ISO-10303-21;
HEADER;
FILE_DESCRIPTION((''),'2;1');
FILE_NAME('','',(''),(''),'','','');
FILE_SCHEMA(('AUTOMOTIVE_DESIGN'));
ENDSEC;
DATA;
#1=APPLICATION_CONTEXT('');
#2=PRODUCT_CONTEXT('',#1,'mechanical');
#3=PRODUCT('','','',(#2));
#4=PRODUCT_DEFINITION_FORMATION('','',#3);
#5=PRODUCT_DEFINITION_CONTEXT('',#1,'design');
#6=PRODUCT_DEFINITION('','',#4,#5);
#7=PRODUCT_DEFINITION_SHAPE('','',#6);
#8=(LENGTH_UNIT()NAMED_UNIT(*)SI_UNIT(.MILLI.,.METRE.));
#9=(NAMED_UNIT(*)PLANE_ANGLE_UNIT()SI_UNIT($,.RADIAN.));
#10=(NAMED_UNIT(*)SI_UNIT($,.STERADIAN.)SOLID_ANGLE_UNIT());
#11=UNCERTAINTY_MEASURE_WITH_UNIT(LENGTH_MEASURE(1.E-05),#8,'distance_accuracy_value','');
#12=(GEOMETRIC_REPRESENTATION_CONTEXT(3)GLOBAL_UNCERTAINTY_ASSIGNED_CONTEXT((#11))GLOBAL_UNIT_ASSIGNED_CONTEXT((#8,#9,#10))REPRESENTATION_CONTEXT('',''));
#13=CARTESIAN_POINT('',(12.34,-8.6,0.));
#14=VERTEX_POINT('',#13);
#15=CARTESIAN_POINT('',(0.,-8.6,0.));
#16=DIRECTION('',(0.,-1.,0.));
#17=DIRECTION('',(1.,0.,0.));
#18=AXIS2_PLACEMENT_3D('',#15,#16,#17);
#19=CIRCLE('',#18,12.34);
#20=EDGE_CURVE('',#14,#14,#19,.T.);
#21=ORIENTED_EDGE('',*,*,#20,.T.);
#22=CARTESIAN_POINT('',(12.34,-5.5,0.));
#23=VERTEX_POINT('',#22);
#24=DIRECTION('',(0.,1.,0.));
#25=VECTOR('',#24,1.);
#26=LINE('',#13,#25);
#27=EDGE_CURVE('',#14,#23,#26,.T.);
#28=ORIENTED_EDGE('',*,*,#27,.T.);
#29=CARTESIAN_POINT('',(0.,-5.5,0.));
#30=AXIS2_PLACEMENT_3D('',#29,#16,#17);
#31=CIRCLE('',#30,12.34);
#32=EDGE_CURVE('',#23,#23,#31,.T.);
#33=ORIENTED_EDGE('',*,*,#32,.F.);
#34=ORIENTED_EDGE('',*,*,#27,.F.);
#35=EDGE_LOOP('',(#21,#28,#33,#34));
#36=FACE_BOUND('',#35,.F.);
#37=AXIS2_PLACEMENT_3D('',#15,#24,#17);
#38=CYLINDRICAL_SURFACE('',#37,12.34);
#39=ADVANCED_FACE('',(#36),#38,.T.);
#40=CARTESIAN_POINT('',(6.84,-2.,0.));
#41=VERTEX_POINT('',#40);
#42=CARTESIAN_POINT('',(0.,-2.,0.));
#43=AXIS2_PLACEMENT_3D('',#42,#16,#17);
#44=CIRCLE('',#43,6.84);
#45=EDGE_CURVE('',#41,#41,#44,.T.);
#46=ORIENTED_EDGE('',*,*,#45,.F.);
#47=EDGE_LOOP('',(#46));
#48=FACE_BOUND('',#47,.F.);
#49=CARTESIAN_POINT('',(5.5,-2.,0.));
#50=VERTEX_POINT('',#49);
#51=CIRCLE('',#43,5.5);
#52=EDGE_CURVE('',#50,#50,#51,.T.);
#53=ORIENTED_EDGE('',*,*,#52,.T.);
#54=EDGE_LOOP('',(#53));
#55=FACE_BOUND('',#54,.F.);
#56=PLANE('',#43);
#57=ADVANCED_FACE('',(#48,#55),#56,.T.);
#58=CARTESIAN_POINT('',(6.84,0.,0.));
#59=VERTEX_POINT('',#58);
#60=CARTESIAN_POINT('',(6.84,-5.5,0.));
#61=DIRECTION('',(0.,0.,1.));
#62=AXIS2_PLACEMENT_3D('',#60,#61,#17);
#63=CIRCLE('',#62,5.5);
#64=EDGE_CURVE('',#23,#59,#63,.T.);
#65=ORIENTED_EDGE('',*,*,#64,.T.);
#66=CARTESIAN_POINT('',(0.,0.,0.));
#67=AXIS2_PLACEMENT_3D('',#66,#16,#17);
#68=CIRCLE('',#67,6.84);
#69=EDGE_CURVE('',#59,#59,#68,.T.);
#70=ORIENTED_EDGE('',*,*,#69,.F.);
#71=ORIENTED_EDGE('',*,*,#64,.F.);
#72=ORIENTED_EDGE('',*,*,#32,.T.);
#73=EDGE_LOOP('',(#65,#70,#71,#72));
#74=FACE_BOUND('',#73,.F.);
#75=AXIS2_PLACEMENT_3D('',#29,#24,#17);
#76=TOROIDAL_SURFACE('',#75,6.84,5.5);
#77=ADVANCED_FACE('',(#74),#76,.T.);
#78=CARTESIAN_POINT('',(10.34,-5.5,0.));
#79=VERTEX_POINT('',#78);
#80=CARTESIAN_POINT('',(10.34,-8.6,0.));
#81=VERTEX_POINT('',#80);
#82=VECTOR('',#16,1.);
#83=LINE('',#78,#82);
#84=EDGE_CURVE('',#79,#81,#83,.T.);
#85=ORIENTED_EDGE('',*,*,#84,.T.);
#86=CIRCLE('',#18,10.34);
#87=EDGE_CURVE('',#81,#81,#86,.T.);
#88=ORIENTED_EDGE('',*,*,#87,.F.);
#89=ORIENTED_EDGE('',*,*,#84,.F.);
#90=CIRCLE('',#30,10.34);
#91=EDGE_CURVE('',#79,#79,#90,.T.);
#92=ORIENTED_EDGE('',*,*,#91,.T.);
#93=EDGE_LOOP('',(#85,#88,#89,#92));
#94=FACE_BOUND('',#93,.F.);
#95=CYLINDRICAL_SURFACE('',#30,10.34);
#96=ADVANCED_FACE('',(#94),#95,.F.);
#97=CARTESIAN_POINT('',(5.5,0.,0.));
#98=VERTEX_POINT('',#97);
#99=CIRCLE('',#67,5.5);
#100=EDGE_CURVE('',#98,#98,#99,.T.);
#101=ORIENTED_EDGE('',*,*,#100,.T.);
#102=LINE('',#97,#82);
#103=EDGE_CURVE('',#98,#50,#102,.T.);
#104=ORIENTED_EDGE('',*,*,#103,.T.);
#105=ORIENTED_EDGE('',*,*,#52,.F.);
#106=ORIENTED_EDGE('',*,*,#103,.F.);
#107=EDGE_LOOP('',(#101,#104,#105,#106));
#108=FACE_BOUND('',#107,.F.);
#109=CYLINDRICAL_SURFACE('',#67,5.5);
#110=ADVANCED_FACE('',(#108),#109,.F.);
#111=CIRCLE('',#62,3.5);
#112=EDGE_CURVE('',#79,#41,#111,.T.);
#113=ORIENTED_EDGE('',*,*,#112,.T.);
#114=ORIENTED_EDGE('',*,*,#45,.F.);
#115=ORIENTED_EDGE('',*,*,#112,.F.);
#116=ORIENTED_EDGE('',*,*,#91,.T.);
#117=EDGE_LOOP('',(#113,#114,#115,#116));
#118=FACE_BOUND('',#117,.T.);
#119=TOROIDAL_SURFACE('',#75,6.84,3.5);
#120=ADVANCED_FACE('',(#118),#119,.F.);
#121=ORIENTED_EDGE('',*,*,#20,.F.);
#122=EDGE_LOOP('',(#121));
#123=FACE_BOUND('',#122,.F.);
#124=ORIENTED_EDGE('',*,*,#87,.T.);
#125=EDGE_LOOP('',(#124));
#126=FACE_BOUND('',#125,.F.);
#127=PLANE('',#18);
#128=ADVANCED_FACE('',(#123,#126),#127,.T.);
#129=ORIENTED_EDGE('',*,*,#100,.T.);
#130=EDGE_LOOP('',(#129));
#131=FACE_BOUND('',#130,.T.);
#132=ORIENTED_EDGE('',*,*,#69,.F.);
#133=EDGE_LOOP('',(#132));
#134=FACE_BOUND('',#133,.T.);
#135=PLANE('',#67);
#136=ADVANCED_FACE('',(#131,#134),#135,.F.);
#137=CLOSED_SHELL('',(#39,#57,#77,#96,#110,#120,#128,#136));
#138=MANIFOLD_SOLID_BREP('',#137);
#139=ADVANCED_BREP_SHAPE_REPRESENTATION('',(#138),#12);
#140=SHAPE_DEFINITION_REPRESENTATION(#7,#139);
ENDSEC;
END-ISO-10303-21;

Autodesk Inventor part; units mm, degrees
ref_plane "YZ Plane" through (0, 0, 0) normal (1, 0, 0) x (0, 1, 0)
ref_plane "XZ Plane" through (0, 0, 0) normal (0, 1, 0) x (-1, 0, 0)
ref_plane "XY Plane" through (0, 0, 0) normal (0, 0, 1) x (1, 0, 0)
sketch "Sketch1" plane through (0, 0, 0) normal (0, 0, 1) x (1, 0, 0)
  line L0 (0, 0) -> (5.5, 0) construction
  line L1 (5.5, 0) -> (5.5, -2)
  line L2 (0, -8.6) -> (12.34, -8.6) construction
  line L3 (12.34, -8.6) -> (12.34, -5.5)
  line L4 (5.5, -2) -> (6.84, -2)
  line L5 (10.34, -5.5) -> (10.34, -8.6)
  line L6 (5.5, 0) -> (6.84, 0)
  arc A0 (10.34, -5.5) -> (6.84, -2) centre (6.84, -5.5) ccw
  arc A1 (12.34, -5.5) -> (6.84, 0) centre (6.84, -5.5) ccw
  line L7 (10.34, -8.6) -> (12.34, -8.6)
  line L8 (0, 0) -> (0, -8.6)
  dimension "d0" = 5.5
  dimension "d1" = 2
  dimension "d2" = 12.34
  dimension "d3" = 8.6
  dimension "d6" = 2
  dimension "d7" = 0
  dimension "d8" = 3.5
  dimension "d9" = 5.5
revolve "Revolution1" add sketch "Sketch1" angle 360 about axis through (0, 0, 0) along (0, -1, 0)
properties part number "BallBearingCup"
